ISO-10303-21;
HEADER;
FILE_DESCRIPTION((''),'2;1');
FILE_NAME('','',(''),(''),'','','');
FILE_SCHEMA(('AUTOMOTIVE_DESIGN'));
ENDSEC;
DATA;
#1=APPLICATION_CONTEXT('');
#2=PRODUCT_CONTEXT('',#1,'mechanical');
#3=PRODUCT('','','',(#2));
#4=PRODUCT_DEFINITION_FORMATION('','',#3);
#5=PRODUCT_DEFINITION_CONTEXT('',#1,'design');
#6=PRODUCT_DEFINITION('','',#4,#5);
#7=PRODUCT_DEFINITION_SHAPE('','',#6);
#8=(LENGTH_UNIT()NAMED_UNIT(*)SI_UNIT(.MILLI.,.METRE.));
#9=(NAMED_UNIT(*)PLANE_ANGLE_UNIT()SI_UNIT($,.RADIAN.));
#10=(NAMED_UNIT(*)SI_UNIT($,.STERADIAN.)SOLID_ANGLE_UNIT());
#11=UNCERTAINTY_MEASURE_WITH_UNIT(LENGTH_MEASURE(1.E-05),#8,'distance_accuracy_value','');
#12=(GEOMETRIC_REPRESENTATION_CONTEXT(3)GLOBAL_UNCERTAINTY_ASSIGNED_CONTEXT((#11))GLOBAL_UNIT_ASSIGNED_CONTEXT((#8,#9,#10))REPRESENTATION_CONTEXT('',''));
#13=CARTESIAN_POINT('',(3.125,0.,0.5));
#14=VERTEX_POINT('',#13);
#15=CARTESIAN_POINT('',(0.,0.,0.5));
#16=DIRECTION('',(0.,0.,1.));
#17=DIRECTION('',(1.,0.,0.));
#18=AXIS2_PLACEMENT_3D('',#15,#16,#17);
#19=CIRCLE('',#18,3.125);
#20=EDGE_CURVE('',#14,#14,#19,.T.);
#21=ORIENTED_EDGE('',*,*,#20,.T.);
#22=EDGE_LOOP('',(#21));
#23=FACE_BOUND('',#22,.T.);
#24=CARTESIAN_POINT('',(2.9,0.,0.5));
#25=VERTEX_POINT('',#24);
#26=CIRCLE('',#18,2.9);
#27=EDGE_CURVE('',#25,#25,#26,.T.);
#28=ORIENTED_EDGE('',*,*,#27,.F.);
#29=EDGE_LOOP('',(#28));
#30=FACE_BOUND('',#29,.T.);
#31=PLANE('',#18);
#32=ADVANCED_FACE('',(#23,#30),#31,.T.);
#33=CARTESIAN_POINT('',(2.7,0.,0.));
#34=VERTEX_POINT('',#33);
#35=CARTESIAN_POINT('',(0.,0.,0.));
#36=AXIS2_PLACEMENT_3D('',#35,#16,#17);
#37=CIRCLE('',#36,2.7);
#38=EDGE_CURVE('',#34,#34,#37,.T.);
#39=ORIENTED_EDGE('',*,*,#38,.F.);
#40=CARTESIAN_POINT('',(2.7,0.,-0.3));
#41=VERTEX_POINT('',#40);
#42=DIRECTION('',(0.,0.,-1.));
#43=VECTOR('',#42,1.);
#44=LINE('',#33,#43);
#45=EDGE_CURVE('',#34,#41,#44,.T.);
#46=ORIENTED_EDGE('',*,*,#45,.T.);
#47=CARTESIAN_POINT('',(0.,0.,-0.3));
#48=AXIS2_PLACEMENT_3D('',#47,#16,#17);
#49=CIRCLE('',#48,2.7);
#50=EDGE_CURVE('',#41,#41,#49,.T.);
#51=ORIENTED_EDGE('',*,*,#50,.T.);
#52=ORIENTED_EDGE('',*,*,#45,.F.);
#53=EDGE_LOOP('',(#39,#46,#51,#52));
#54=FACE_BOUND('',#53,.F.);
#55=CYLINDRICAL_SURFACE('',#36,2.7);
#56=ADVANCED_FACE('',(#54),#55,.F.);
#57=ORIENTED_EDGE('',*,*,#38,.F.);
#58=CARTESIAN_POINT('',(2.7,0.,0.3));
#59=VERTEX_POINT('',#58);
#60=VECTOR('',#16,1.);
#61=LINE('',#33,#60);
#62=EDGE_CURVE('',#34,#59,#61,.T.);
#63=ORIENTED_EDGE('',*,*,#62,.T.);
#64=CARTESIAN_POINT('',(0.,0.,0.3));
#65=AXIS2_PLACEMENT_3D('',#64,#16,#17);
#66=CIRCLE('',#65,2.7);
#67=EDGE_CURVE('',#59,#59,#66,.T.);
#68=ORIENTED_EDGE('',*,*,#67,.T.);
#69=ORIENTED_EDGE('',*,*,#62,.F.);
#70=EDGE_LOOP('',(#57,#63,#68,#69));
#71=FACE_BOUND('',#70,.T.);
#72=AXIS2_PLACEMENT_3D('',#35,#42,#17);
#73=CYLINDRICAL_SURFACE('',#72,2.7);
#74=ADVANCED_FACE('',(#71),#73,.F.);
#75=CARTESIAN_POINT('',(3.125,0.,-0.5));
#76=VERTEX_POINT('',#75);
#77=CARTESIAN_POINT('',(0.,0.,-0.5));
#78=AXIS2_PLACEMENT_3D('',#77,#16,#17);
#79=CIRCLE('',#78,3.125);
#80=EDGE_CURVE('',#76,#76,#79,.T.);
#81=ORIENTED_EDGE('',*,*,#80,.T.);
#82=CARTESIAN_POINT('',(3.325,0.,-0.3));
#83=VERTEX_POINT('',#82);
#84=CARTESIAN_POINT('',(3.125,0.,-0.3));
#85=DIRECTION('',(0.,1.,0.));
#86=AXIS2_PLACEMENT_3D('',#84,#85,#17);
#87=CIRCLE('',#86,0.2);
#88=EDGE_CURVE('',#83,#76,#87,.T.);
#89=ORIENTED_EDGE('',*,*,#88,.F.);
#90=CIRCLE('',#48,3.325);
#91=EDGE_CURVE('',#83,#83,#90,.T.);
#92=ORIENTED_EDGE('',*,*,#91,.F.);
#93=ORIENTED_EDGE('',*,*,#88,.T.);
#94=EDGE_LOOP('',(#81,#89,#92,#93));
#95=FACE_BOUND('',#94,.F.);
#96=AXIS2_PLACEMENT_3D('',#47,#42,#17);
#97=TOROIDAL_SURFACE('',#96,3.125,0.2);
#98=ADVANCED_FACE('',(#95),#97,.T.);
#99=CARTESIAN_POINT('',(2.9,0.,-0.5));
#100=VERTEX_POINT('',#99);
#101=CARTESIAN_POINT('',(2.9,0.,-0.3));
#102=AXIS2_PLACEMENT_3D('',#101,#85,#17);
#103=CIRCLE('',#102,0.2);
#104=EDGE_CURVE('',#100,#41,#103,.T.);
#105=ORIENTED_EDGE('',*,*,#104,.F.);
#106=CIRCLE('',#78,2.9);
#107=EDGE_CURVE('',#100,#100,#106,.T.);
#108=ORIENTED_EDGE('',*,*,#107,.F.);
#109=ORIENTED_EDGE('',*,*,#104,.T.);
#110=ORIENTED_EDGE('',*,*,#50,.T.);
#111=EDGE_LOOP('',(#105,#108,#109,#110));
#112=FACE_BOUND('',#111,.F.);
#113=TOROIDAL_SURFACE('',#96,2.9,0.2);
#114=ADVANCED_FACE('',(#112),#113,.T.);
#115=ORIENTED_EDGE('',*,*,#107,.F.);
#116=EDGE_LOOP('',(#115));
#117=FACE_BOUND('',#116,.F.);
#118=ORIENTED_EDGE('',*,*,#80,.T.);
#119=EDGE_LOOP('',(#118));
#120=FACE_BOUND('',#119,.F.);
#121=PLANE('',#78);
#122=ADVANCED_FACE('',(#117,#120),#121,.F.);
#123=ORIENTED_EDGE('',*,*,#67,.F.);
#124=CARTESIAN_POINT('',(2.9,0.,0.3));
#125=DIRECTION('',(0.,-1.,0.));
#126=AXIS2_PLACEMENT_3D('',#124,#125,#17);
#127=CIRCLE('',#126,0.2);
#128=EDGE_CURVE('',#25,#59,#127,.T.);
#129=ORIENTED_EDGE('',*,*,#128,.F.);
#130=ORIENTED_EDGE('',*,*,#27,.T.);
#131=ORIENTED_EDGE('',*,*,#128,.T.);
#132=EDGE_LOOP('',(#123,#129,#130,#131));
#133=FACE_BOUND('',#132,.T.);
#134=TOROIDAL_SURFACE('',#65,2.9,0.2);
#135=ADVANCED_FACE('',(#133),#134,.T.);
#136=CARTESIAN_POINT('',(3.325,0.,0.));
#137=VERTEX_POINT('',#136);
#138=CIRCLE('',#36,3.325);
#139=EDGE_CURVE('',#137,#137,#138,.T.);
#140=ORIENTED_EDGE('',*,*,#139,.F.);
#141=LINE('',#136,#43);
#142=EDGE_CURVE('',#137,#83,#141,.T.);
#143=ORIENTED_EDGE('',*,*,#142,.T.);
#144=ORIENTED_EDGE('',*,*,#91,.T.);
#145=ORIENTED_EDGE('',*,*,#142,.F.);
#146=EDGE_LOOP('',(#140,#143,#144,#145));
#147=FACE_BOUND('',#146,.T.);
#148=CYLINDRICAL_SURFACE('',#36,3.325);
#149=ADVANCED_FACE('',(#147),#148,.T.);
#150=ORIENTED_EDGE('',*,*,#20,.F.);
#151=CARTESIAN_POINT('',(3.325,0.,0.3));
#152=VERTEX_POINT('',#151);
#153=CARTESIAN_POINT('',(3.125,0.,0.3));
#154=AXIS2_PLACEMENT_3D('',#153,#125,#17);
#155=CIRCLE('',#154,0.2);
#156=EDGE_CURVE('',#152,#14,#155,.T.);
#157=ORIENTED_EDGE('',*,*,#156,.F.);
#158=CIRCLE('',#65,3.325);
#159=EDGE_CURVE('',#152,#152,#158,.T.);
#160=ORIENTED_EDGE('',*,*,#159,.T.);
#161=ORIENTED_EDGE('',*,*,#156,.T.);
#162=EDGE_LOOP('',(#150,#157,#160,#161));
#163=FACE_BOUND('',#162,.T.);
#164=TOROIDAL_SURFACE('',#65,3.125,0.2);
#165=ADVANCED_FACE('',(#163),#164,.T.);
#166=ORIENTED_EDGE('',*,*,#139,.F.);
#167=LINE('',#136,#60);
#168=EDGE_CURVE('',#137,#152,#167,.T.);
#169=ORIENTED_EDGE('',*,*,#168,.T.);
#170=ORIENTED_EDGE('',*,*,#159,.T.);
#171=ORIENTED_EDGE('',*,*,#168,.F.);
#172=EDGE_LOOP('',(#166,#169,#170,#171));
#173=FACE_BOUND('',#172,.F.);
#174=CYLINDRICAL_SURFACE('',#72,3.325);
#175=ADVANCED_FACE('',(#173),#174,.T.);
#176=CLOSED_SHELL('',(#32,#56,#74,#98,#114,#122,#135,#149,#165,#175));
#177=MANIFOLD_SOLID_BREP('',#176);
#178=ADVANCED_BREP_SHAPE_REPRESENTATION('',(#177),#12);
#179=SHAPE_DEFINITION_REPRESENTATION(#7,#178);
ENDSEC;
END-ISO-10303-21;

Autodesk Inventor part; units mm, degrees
ref_plane "YZ Plane" through (0, 0, 0) normal (1, 0, 0) x (0, 1, 0)
ref_plane "XZ Plane" through (0, 0, 0) normal (0, 1, 0) x (-1, 0, 0)
ref_plane "XY Plane" through (0, 0, 0) normal (0, 0, 1) x (1, 0, 0)
sketch "Skizze1" plane through (0, 0, 0) normal (0, 0, 1) x (1, 0, 0)
  circle A0 centre (0, 0) radius 2.7
  circle A1 centre (0, 0) radius 3.325
  dimension "d0" = 5.4
  dimension "d1" = 6.65
extrude "Extrusion1" add sketch "Skizze1" along normal mid plane 1
fillet "Rundung1" radius 0.2 4 edges at (-3.325, 0, 0.5) (-3.325, 0, -0.5) (-2.7, 0, 0.5) (-2.7, 0, -0.5)
properties part number "YTP-AP-E20-R1.0" material "Gummi, Silikon"
